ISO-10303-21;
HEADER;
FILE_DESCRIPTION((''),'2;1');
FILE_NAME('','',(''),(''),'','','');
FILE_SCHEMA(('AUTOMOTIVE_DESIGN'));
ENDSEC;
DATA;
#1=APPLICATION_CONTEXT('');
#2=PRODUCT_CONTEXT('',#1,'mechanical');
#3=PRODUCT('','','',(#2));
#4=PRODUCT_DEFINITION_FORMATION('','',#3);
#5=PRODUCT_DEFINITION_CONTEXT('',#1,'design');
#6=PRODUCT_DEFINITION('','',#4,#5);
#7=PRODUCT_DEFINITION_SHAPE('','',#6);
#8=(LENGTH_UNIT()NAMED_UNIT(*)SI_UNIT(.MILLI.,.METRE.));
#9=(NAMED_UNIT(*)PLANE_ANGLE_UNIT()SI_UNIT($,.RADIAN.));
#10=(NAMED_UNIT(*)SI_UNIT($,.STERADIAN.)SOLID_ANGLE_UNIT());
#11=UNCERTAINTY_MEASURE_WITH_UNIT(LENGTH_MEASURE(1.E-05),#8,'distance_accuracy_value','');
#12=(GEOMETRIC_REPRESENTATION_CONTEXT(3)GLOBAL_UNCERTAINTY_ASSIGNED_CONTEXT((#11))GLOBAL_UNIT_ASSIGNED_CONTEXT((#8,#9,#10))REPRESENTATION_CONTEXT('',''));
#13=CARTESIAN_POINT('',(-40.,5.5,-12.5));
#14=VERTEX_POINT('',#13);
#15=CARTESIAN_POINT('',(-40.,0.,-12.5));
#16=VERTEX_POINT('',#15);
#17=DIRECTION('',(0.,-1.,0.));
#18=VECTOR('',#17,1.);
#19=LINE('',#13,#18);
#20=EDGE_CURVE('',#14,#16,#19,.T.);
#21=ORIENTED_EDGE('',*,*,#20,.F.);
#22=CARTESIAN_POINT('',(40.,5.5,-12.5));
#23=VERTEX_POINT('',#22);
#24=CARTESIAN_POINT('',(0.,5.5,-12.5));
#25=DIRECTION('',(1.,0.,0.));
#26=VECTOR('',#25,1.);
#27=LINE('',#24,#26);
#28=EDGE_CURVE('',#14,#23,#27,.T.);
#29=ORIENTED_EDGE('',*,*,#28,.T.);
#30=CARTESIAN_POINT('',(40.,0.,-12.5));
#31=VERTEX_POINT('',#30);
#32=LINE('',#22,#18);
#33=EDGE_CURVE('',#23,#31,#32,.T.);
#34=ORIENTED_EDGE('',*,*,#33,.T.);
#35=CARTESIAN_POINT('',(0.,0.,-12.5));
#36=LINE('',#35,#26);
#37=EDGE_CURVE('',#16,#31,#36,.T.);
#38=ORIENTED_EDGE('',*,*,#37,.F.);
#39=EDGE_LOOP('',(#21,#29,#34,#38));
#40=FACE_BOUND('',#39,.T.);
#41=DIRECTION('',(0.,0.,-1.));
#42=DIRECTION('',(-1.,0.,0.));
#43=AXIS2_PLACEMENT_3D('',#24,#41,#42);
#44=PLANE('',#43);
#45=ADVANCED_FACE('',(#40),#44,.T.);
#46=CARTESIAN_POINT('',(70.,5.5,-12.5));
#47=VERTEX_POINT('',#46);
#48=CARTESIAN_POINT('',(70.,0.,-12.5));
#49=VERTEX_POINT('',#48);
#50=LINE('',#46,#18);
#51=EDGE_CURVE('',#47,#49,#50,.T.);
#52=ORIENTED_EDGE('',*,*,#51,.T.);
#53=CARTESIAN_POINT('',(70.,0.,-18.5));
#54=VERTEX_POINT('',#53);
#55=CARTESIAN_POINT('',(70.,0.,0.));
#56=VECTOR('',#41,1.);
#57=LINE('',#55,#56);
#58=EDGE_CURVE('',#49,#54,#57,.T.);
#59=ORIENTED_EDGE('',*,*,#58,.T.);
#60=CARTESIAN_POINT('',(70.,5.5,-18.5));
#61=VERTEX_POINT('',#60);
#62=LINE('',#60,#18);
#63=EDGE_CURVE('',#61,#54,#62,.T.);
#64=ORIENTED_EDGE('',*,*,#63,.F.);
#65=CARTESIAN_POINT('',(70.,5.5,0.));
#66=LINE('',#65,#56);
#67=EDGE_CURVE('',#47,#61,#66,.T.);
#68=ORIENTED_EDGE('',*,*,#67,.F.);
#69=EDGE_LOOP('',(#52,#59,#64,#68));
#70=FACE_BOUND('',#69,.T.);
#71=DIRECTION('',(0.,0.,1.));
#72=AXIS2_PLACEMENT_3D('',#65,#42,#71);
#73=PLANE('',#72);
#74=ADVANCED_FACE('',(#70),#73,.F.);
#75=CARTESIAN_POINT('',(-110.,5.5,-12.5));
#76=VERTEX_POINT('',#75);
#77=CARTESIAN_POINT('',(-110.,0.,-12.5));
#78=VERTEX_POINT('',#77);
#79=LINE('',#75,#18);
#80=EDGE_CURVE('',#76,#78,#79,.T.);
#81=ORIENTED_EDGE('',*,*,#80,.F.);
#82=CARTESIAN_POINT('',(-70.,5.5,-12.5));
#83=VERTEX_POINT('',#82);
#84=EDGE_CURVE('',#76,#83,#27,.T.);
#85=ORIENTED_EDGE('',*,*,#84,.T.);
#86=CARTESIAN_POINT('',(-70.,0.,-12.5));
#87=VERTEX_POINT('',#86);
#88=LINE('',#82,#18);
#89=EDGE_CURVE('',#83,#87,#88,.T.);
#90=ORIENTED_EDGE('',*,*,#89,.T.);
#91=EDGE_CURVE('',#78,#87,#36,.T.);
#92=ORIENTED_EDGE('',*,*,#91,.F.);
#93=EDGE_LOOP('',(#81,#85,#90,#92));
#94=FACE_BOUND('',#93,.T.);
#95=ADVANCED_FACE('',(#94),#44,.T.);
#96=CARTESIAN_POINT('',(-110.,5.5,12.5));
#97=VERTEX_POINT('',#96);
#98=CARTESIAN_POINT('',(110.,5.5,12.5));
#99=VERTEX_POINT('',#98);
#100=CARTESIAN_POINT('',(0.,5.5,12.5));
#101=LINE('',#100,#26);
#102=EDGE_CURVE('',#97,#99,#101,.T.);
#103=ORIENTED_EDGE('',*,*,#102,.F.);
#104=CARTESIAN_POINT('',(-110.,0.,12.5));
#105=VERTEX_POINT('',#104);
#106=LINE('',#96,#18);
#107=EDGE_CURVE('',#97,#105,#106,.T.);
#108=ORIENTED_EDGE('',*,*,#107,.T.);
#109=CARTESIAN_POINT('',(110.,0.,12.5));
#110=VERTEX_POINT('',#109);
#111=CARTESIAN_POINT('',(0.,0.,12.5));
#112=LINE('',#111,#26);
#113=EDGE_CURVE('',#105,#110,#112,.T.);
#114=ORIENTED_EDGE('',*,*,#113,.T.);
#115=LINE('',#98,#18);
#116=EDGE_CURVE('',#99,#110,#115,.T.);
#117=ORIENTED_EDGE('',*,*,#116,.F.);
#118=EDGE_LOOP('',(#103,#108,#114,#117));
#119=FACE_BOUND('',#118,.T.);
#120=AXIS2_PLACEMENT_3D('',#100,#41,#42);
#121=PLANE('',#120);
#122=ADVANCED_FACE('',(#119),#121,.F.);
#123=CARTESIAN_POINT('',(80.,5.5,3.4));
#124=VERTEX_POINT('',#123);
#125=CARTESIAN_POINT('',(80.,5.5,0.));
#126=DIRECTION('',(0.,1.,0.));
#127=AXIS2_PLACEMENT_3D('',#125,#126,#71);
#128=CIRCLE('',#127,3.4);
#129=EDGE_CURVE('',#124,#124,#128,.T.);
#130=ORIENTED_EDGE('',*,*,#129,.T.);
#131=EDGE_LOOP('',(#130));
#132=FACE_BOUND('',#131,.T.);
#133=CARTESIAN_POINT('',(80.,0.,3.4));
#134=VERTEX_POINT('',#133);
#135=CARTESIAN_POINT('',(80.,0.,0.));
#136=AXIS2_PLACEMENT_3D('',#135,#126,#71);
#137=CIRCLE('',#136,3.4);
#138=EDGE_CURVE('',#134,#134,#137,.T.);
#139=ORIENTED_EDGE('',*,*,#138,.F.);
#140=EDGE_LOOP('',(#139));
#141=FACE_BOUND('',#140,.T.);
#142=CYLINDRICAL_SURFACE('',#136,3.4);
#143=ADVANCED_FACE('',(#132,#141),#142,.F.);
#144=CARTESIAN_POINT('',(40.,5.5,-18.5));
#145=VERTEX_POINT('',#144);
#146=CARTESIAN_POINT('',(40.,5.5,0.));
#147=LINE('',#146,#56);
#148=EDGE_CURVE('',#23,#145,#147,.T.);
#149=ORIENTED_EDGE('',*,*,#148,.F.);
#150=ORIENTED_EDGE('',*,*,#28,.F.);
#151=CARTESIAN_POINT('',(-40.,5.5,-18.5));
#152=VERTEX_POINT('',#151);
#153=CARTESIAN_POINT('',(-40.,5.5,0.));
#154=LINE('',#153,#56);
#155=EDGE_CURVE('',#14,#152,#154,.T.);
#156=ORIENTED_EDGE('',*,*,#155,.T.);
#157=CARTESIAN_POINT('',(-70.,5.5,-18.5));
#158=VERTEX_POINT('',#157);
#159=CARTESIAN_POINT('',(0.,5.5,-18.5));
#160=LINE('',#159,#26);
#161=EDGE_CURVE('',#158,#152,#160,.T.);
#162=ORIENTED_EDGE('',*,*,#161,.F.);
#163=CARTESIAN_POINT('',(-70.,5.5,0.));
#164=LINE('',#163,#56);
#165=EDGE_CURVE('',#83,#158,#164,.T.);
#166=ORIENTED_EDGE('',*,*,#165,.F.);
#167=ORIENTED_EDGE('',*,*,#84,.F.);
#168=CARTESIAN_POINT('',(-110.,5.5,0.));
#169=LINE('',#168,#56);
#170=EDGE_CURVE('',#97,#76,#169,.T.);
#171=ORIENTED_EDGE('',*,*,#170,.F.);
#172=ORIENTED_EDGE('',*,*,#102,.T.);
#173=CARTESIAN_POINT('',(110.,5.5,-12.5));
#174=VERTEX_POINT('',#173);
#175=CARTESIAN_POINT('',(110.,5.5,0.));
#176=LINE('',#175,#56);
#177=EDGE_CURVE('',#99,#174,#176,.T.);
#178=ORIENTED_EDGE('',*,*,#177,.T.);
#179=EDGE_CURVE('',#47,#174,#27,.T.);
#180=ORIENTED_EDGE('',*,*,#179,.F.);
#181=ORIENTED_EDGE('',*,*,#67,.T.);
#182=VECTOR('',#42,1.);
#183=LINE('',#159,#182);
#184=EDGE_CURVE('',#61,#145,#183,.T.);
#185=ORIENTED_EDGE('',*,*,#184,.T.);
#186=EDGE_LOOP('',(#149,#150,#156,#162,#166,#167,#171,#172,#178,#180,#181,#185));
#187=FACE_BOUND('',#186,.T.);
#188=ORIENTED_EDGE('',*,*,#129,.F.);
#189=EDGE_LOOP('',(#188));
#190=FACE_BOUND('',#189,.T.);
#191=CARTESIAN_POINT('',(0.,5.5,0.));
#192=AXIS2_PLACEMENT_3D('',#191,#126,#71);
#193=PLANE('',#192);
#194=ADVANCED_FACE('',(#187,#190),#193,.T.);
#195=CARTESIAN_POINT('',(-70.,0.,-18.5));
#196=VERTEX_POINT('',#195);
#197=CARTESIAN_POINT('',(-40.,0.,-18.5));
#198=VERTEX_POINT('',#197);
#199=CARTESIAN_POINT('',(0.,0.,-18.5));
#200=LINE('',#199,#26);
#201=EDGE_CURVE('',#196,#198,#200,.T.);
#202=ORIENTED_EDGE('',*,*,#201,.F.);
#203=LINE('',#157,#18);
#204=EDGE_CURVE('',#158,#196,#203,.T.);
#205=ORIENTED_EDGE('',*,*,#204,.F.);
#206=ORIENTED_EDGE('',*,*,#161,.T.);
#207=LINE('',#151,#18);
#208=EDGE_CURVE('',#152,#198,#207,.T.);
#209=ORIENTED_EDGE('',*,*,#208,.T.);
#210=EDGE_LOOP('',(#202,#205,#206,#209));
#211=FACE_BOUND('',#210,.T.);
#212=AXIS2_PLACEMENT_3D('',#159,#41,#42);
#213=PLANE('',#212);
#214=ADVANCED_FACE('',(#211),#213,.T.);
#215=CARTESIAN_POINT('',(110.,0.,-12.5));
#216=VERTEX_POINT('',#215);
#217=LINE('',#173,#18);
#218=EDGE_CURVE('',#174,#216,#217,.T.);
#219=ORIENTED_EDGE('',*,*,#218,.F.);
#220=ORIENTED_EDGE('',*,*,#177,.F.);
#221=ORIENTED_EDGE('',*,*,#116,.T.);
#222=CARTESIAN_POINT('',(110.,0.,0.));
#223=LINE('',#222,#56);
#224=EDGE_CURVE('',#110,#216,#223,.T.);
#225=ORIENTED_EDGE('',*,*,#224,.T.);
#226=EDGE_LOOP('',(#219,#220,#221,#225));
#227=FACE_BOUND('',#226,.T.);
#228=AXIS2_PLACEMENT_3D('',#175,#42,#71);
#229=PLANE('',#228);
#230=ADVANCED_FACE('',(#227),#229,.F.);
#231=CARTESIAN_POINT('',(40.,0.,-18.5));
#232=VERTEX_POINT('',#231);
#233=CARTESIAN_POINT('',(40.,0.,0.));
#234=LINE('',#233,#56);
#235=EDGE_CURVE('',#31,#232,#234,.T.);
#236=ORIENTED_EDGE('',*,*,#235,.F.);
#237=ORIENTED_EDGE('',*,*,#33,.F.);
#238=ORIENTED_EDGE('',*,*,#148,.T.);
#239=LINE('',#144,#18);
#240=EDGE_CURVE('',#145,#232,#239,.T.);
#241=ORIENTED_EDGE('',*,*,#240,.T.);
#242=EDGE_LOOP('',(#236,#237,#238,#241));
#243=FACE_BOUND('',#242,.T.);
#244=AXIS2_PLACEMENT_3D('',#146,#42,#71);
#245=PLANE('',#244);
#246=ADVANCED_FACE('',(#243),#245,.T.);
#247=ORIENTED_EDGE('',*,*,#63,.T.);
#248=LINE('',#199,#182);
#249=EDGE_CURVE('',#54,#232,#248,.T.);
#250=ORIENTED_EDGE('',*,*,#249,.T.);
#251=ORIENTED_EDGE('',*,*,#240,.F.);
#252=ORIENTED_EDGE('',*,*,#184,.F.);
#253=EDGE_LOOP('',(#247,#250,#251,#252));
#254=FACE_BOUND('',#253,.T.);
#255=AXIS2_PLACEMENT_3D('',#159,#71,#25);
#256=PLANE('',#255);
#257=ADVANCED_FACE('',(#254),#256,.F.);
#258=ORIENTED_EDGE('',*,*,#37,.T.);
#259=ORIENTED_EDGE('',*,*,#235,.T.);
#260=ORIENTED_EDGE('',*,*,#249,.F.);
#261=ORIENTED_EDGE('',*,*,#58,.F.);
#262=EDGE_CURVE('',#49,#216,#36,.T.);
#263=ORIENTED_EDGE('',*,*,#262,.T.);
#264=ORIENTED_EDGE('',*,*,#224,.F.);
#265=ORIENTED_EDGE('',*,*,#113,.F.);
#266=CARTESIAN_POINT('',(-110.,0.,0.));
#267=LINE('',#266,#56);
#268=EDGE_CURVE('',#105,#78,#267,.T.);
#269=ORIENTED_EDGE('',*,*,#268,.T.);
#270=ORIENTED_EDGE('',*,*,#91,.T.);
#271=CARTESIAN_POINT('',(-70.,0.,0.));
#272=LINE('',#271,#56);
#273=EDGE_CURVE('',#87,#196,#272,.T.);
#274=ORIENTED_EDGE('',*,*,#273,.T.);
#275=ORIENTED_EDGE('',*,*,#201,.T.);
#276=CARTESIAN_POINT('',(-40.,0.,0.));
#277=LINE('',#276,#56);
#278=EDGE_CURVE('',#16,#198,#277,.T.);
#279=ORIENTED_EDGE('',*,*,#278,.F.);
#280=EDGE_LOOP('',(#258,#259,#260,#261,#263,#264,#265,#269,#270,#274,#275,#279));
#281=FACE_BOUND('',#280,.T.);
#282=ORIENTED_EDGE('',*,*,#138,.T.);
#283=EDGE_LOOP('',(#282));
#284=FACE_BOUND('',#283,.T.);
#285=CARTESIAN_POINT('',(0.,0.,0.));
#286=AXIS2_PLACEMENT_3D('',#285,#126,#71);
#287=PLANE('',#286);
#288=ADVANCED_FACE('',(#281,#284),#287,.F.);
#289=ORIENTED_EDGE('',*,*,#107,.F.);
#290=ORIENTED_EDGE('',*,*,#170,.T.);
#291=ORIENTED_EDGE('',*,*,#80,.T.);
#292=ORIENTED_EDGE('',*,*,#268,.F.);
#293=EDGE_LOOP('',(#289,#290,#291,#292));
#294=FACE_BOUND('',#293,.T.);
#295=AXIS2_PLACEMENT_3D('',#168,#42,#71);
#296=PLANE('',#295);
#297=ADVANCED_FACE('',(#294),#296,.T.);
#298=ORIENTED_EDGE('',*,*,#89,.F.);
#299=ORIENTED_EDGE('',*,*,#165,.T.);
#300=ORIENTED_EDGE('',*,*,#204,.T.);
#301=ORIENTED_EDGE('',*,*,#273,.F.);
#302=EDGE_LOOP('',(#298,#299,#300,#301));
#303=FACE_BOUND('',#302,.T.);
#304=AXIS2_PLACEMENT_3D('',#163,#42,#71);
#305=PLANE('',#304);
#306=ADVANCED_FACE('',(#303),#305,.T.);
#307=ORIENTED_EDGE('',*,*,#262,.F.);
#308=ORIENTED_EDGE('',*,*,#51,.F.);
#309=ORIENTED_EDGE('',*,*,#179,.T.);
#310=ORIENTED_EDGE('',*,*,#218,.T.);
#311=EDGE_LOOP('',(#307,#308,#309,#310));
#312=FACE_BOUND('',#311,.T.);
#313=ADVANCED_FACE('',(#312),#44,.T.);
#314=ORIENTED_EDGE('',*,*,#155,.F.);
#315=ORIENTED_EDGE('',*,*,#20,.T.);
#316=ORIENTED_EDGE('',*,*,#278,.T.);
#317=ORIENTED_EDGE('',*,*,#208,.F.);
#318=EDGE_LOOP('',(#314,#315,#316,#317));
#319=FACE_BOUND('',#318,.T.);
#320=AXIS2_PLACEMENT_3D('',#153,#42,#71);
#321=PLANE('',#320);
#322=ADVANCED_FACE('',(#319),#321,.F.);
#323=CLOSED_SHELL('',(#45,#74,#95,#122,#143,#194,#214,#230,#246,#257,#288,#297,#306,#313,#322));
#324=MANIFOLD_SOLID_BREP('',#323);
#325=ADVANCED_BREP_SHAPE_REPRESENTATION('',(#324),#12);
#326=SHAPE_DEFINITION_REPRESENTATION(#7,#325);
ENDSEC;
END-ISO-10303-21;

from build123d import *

# Parameters (mm, degrees)
SKETCH1_W           = 30
SKETCH1_H           = 6
SKETCH1_W_2         = 220
SKETCH1_H_2         = 25
BOSS_EXTRUDE1_DEPTH = 5.5
SKETCH3_R           = 3.4
CUT_EXTRUDE1_DEPTH  = 112.680347421


with BuildPart() as part:
    # Sketch1 → Boss-Extrude1 (new body)
    with BuildSketch(Plane(origin=(0, 0, 0), x_dir=(1, 0, 0), z_dir=(0, 1, 0))):
        with Locations((-55, 15.5)):
            Rectangle(SKETCH1_W, SKETCH1_H)
        Rectangle(SKETCH1_W_2, SKETCH1_H_2)
        with Locations((55, 15.5)):
            Rectangle(SKETCH1_W, SKETCH1_H)
    extrude(amount=BOSS_EXTRUDE1_DEPTH)

    # Sketch3 → Cut-Extrude1 (cut, through all)
    with BuildSketch(Plane(origin=(0, 5.5, 0), x_dir=(1, 0, 0), z_dir=(0, 1, 0))):
        with Locations(Location((80, 0, 0), (0, 0, 270))):
            Circle(SKETCH3_R)
    extrude(amount=-CUT_EXTRUDE1_DEPTH, mode=Mode.SUBTRACT)


solid = part.part
